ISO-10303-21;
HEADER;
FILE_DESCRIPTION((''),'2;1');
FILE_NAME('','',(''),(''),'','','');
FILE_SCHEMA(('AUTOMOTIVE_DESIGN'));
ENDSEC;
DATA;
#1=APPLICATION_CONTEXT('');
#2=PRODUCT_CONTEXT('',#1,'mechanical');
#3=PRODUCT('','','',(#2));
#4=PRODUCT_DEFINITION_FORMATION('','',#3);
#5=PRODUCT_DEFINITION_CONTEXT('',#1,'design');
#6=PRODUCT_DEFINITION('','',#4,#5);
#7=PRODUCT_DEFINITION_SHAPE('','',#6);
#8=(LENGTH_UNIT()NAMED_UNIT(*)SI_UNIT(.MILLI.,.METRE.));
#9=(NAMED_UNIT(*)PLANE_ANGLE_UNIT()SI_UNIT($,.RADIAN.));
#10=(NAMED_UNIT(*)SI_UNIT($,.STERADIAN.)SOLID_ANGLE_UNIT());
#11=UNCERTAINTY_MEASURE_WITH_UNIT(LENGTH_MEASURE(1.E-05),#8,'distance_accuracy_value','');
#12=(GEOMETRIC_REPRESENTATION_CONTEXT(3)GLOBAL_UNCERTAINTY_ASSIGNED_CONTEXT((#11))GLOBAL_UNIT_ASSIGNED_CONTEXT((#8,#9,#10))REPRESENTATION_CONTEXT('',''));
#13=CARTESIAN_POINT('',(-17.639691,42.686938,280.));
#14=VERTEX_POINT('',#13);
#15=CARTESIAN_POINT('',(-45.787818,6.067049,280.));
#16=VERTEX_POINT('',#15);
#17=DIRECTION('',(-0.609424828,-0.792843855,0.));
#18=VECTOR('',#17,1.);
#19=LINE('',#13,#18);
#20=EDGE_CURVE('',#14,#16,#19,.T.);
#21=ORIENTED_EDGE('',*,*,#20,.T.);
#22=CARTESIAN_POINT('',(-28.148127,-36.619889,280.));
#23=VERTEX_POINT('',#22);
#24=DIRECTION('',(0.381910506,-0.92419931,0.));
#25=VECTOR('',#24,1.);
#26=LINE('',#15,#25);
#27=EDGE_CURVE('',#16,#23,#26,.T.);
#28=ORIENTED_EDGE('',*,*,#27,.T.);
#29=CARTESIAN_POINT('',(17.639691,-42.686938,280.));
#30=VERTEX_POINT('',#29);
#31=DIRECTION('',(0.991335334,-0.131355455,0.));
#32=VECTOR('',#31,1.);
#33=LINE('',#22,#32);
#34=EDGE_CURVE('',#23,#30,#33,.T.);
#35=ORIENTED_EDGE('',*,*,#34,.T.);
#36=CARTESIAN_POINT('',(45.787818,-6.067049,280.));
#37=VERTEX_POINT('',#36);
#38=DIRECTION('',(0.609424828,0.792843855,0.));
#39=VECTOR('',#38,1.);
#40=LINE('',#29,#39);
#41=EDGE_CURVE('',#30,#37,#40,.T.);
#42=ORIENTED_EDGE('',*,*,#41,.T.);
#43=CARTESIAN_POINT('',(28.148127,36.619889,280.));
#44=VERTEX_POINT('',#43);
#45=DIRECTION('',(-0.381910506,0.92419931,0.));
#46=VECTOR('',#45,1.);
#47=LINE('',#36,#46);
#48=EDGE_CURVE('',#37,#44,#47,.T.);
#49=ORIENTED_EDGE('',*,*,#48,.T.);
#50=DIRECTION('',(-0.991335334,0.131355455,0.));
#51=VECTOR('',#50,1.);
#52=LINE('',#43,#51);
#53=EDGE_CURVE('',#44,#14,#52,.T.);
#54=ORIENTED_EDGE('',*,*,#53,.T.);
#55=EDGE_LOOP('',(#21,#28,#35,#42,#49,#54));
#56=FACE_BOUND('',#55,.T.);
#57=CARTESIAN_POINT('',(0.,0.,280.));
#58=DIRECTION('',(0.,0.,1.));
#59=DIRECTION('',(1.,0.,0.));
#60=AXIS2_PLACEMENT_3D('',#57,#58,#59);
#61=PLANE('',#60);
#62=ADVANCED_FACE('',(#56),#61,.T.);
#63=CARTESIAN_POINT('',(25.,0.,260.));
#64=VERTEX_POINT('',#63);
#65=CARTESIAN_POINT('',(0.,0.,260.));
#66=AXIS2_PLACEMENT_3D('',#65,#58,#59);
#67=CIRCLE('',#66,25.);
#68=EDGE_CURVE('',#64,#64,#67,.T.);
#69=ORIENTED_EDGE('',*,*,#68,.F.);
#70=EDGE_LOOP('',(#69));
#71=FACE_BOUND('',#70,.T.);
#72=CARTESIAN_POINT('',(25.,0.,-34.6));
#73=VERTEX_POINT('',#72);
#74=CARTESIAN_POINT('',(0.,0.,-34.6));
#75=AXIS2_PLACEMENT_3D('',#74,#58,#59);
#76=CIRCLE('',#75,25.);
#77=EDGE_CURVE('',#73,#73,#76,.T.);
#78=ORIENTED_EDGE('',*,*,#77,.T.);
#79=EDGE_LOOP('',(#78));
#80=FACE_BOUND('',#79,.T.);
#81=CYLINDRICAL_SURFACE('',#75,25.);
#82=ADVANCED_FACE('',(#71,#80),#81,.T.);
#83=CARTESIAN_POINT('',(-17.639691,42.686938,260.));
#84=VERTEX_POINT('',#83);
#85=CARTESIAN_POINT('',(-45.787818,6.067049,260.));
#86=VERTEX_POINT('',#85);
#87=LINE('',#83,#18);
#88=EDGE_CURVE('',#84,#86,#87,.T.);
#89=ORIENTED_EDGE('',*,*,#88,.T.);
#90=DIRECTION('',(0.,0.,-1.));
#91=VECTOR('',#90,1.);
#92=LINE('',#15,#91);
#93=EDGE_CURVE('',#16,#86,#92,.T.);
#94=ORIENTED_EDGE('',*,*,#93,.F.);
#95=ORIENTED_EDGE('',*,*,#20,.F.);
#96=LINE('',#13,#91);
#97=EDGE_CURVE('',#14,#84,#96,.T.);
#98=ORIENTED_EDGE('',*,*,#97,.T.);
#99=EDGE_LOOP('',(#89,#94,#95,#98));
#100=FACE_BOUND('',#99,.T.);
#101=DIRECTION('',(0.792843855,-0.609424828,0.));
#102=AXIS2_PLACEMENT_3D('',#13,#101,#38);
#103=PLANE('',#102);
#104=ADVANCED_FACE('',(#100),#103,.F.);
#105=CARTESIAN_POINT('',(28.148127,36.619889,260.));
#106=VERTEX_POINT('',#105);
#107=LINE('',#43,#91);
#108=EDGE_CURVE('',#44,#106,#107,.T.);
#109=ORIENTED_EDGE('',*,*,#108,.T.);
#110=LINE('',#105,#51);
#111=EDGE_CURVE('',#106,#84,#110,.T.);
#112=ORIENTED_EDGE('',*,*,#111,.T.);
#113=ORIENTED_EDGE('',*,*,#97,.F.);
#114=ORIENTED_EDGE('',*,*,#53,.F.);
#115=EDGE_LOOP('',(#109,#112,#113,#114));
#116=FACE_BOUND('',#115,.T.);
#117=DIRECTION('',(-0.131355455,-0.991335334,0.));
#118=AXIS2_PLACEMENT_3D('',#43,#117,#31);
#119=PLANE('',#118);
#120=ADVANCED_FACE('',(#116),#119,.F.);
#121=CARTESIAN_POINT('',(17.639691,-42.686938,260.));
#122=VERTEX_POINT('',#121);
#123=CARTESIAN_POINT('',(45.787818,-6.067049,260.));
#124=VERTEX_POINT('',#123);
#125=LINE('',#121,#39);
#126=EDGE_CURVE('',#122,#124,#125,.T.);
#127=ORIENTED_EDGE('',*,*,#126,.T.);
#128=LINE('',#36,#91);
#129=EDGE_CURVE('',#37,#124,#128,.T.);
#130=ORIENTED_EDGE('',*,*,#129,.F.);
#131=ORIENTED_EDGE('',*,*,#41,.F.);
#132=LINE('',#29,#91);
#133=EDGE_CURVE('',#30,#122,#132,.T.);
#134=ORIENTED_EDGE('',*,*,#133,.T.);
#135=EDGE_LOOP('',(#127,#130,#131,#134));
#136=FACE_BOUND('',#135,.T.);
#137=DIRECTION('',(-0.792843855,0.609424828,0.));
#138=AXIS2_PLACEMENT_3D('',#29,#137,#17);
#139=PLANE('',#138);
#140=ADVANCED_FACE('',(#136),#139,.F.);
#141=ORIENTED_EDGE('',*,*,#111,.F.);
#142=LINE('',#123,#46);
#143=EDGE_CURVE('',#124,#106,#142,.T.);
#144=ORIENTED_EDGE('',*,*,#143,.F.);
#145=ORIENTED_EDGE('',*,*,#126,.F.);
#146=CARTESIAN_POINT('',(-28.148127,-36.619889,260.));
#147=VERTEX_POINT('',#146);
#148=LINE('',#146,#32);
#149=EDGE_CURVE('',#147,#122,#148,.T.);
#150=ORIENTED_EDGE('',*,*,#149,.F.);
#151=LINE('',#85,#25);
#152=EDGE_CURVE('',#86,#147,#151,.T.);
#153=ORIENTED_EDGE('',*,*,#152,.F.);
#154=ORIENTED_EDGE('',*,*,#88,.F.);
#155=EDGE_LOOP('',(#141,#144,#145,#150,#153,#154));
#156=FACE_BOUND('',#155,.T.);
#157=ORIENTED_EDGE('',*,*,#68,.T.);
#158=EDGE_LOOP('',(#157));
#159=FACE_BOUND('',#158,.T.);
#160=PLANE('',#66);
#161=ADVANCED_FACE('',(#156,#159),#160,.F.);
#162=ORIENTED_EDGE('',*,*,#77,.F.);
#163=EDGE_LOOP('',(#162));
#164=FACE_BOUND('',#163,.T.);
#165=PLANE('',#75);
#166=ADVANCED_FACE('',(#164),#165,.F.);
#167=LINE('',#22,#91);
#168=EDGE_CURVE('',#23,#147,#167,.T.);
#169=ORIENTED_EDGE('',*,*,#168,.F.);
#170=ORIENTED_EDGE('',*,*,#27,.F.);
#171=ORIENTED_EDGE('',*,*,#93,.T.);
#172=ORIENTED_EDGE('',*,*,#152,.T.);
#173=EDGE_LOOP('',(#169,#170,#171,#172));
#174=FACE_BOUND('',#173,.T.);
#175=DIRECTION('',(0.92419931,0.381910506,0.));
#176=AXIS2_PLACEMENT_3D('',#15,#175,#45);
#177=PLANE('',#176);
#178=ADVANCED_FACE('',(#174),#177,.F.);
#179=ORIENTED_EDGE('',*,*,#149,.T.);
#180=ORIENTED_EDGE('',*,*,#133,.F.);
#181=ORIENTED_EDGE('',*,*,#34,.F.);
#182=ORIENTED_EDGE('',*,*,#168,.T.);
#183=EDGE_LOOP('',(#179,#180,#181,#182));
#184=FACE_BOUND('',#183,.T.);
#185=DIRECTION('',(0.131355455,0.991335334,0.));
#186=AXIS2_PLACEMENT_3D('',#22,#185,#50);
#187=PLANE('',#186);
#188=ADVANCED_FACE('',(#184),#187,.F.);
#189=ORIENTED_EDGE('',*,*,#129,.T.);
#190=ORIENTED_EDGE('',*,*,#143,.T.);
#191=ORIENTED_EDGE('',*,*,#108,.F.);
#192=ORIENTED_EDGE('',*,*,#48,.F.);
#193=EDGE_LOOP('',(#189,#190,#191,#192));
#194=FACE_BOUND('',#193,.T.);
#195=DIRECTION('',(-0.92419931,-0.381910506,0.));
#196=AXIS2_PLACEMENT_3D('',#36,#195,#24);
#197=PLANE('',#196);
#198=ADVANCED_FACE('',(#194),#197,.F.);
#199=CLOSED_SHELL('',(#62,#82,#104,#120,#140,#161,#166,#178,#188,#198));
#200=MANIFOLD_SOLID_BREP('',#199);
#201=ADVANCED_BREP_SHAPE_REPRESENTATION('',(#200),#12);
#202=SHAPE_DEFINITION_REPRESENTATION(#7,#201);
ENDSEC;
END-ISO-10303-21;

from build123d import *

# Parameters (mm, degrees)
BOSS_EXTRUDE1_DEPTH      = 260
BOSS_EXTRUDE1_DEPTH_BACK = 34.6
SKETCH2_R                = 25
BOSS_EXTRUDE2_DEPTH      = 20


with BuildPart() as part:
    # Sketch2 → Boss-Extrude1 (new, two sides: drawn at the far end of the back side and taken through both)
    with BuildSketch(Plane.XY.offset(-BOSS_EXTRUDE1_DEPTH_BACK)):
        Circle(SKETCH2_R)
    extrude(amount=BOSS_EXTRUDE1_DEPTH + BOSS_EXTRUDE1_DEPTH_BACK)

    # Sketch3 → Boss-Extrude2 (add)
    with BuildSketch(Plane.XY.offset(260)):
        Polygon((28.148127082, 36.619889064), (-17.639690672, 42.686937654), (-45.787817755, 6.06704859), (-28.148127082, -36.619889064), (17.639690672, -42.686937654), (45.787817755, -6.06704859), align=None)
    extrude(amount=BOSS_EXTRUDE2_DEPTH)


solid = part.part
